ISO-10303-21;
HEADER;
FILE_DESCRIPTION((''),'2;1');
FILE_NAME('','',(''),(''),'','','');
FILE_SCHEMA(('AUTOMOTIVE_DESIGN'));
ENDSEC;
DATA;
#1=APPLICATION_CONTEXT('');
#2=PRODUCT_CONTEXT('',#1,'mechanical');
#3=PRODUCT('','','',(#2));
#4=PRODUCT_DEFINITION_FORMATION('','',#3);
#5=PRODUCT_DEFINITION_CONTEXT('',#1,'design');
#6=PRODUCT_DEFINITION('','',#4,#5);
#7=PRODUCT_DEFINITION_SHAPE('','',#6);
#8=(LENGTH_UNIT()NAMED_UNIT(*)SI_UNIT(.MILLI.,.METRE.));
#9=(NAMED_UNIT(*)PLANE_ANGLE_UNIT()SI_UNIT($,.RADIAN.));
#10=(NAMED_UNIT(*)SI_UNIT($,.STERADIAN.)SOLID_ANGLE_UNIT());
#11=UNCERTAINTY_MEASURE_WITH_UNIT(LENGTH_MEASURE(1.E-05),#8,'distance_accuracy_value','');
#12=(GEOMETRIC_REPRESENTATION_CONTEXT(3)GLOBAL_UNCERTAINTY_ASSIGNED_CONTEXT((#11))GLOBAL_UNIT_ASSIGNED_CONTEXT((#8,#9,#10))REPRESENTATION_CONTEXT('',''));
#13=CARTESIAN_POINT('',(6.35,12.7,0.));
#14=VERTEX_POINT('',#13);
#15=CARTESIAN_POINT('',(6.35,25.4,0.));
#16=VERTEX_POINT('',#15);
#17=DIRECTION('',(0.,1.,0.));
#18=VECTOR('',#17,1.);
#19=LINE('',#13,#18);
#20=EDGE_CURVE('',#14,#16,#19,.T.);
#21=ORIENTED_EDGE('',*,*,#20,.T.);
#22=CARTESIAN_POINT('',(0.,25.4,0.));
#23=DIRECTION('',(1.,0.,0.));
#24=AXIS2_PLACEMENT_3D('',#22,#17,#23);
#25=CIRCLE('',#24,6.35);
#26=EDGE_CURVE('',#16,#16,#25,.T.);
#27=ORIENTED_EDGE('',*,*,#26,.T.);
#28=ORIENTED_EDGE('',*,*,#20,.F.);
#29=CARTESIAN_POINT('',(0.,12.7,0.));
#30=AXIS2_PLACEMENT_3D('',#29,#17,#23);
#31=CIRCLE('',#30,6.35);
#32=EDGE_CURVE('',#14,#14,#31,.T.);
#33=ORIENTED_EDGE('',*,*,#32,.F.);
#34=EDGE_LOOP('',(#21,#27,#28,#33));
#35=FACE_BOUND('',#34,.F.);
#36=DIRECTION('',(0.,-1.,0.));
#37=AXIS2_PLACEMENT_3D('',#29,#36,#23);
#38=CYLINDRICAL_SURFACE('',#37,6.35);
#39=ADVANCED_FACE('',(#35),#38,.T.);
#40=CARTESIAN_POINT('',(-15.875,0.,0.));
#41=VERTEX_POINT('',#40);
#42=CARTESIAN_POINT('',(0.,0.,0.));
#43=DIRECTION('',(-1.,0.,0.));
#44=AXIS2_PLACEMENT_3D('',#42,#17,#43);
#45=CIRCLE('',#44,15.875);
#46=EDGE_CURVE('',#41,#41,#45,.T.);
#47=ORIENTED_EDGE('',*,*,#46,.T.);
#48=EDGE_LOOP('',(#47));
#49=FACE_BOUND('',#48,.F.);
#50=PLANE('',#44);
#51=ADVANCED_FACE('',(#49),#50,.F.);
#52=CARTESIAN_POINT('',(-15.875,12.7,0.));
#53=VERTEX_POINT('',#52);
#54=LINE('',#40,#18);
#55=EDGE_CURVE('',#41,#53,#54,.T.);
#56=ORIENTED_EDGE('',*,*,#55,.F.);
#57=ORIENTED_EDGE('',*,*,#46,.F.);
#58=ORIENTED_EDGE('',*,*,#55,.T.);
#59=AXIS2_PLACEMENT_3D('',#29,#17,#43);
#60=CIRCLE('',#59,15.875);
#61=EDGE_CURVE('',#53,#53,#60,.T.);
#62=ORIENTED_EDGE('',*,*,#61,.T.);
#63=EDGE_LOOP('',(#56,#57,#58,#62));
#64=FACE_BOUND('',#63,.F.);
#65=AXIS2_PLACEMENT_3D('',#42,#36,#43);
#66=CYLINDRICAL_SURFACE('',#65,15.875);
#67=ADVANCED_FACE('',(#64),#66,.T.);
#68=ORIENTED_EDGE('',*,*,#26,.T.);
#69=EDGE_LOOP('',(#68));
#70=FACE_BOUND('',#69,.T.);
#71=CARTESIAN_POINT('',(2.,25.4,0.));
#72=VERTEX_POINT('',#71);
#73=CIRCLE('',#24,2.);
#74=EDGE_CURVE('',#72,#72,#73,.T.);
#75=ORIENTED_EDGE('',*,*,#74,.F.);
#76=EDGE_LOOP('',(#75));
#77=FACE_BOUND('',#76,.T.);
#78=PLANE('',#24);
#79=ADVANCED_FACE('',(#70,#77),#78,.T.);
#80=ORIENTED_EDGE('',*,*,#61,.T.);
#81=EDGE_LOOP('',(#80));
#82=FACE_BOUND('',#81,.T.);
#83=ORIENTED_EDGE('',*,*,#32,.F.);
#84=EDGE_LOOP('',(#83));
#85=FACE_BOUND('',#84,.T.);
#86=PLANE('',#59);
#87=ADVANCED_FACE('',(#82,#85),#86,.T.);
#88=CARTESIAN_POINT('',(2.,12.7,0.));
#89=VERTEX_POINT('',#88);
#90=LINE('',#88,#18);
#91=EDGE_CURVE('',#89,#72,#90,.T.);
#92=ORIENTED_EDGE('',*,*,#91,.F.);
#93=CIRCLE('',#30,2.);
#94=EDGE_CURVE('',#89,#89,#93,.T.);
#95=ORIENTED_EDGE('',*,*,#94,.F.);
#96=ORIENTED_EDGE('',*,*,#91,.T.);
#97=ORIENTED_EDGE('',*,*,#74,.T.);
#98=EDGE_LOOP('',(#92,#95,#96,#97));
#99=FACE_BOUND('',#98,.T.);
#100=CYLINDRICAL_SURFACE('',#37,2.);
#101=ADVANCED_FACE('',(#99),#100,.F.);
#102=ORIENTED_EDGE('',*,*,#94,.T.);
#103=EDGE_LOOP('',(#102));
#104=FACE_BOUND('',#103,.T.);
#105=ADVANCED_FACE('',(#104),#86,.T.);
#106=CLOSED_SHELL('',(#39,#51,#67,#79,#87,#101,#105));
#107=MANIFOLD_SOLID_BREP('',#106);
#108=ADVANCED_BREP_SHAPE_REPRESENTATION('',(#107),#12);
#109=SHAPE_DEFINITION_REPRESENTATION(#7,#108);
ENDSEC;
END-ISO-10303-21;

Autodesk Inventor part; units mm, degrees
ref_plane "YZ Plane" through (0, 0, 0) normal (1, 0, 0) x (0, 1, 0)
ref_plane "XZ Plane" through (0, 0, 0) normal (0, 1, 0) x (-1, 0, 0)
ref_plane "XY Plane" through (0, 0, 0) normal (0, 0, 1) x (1, 0, 0)
sketch "Sketch1" plane through (0, 0, 0) normal (0, 1, 0) x (-1, 0, 0)
  circle A0 centre (0, 0) radius 15.875
  dimension "d0" = 31.75
extrude "Extrusion1" add sketch "Sketch1" along normal blind 12.7
sketch "Sketch2" plane through (0, 12.7, 0) normal (0, 1, 0) x (1, 0, 0)
  circle A0 centre (0, 0) radius 2
  circle A1 centre (0, 0) radius 6.35
  dimension "d3" = 4
  dimension "d4" = 12.7
extrude "Extrusion2" add sketch "Sketch2" along normal blind 12.7
properties part number "ShootingMech_MotorCoupling"
